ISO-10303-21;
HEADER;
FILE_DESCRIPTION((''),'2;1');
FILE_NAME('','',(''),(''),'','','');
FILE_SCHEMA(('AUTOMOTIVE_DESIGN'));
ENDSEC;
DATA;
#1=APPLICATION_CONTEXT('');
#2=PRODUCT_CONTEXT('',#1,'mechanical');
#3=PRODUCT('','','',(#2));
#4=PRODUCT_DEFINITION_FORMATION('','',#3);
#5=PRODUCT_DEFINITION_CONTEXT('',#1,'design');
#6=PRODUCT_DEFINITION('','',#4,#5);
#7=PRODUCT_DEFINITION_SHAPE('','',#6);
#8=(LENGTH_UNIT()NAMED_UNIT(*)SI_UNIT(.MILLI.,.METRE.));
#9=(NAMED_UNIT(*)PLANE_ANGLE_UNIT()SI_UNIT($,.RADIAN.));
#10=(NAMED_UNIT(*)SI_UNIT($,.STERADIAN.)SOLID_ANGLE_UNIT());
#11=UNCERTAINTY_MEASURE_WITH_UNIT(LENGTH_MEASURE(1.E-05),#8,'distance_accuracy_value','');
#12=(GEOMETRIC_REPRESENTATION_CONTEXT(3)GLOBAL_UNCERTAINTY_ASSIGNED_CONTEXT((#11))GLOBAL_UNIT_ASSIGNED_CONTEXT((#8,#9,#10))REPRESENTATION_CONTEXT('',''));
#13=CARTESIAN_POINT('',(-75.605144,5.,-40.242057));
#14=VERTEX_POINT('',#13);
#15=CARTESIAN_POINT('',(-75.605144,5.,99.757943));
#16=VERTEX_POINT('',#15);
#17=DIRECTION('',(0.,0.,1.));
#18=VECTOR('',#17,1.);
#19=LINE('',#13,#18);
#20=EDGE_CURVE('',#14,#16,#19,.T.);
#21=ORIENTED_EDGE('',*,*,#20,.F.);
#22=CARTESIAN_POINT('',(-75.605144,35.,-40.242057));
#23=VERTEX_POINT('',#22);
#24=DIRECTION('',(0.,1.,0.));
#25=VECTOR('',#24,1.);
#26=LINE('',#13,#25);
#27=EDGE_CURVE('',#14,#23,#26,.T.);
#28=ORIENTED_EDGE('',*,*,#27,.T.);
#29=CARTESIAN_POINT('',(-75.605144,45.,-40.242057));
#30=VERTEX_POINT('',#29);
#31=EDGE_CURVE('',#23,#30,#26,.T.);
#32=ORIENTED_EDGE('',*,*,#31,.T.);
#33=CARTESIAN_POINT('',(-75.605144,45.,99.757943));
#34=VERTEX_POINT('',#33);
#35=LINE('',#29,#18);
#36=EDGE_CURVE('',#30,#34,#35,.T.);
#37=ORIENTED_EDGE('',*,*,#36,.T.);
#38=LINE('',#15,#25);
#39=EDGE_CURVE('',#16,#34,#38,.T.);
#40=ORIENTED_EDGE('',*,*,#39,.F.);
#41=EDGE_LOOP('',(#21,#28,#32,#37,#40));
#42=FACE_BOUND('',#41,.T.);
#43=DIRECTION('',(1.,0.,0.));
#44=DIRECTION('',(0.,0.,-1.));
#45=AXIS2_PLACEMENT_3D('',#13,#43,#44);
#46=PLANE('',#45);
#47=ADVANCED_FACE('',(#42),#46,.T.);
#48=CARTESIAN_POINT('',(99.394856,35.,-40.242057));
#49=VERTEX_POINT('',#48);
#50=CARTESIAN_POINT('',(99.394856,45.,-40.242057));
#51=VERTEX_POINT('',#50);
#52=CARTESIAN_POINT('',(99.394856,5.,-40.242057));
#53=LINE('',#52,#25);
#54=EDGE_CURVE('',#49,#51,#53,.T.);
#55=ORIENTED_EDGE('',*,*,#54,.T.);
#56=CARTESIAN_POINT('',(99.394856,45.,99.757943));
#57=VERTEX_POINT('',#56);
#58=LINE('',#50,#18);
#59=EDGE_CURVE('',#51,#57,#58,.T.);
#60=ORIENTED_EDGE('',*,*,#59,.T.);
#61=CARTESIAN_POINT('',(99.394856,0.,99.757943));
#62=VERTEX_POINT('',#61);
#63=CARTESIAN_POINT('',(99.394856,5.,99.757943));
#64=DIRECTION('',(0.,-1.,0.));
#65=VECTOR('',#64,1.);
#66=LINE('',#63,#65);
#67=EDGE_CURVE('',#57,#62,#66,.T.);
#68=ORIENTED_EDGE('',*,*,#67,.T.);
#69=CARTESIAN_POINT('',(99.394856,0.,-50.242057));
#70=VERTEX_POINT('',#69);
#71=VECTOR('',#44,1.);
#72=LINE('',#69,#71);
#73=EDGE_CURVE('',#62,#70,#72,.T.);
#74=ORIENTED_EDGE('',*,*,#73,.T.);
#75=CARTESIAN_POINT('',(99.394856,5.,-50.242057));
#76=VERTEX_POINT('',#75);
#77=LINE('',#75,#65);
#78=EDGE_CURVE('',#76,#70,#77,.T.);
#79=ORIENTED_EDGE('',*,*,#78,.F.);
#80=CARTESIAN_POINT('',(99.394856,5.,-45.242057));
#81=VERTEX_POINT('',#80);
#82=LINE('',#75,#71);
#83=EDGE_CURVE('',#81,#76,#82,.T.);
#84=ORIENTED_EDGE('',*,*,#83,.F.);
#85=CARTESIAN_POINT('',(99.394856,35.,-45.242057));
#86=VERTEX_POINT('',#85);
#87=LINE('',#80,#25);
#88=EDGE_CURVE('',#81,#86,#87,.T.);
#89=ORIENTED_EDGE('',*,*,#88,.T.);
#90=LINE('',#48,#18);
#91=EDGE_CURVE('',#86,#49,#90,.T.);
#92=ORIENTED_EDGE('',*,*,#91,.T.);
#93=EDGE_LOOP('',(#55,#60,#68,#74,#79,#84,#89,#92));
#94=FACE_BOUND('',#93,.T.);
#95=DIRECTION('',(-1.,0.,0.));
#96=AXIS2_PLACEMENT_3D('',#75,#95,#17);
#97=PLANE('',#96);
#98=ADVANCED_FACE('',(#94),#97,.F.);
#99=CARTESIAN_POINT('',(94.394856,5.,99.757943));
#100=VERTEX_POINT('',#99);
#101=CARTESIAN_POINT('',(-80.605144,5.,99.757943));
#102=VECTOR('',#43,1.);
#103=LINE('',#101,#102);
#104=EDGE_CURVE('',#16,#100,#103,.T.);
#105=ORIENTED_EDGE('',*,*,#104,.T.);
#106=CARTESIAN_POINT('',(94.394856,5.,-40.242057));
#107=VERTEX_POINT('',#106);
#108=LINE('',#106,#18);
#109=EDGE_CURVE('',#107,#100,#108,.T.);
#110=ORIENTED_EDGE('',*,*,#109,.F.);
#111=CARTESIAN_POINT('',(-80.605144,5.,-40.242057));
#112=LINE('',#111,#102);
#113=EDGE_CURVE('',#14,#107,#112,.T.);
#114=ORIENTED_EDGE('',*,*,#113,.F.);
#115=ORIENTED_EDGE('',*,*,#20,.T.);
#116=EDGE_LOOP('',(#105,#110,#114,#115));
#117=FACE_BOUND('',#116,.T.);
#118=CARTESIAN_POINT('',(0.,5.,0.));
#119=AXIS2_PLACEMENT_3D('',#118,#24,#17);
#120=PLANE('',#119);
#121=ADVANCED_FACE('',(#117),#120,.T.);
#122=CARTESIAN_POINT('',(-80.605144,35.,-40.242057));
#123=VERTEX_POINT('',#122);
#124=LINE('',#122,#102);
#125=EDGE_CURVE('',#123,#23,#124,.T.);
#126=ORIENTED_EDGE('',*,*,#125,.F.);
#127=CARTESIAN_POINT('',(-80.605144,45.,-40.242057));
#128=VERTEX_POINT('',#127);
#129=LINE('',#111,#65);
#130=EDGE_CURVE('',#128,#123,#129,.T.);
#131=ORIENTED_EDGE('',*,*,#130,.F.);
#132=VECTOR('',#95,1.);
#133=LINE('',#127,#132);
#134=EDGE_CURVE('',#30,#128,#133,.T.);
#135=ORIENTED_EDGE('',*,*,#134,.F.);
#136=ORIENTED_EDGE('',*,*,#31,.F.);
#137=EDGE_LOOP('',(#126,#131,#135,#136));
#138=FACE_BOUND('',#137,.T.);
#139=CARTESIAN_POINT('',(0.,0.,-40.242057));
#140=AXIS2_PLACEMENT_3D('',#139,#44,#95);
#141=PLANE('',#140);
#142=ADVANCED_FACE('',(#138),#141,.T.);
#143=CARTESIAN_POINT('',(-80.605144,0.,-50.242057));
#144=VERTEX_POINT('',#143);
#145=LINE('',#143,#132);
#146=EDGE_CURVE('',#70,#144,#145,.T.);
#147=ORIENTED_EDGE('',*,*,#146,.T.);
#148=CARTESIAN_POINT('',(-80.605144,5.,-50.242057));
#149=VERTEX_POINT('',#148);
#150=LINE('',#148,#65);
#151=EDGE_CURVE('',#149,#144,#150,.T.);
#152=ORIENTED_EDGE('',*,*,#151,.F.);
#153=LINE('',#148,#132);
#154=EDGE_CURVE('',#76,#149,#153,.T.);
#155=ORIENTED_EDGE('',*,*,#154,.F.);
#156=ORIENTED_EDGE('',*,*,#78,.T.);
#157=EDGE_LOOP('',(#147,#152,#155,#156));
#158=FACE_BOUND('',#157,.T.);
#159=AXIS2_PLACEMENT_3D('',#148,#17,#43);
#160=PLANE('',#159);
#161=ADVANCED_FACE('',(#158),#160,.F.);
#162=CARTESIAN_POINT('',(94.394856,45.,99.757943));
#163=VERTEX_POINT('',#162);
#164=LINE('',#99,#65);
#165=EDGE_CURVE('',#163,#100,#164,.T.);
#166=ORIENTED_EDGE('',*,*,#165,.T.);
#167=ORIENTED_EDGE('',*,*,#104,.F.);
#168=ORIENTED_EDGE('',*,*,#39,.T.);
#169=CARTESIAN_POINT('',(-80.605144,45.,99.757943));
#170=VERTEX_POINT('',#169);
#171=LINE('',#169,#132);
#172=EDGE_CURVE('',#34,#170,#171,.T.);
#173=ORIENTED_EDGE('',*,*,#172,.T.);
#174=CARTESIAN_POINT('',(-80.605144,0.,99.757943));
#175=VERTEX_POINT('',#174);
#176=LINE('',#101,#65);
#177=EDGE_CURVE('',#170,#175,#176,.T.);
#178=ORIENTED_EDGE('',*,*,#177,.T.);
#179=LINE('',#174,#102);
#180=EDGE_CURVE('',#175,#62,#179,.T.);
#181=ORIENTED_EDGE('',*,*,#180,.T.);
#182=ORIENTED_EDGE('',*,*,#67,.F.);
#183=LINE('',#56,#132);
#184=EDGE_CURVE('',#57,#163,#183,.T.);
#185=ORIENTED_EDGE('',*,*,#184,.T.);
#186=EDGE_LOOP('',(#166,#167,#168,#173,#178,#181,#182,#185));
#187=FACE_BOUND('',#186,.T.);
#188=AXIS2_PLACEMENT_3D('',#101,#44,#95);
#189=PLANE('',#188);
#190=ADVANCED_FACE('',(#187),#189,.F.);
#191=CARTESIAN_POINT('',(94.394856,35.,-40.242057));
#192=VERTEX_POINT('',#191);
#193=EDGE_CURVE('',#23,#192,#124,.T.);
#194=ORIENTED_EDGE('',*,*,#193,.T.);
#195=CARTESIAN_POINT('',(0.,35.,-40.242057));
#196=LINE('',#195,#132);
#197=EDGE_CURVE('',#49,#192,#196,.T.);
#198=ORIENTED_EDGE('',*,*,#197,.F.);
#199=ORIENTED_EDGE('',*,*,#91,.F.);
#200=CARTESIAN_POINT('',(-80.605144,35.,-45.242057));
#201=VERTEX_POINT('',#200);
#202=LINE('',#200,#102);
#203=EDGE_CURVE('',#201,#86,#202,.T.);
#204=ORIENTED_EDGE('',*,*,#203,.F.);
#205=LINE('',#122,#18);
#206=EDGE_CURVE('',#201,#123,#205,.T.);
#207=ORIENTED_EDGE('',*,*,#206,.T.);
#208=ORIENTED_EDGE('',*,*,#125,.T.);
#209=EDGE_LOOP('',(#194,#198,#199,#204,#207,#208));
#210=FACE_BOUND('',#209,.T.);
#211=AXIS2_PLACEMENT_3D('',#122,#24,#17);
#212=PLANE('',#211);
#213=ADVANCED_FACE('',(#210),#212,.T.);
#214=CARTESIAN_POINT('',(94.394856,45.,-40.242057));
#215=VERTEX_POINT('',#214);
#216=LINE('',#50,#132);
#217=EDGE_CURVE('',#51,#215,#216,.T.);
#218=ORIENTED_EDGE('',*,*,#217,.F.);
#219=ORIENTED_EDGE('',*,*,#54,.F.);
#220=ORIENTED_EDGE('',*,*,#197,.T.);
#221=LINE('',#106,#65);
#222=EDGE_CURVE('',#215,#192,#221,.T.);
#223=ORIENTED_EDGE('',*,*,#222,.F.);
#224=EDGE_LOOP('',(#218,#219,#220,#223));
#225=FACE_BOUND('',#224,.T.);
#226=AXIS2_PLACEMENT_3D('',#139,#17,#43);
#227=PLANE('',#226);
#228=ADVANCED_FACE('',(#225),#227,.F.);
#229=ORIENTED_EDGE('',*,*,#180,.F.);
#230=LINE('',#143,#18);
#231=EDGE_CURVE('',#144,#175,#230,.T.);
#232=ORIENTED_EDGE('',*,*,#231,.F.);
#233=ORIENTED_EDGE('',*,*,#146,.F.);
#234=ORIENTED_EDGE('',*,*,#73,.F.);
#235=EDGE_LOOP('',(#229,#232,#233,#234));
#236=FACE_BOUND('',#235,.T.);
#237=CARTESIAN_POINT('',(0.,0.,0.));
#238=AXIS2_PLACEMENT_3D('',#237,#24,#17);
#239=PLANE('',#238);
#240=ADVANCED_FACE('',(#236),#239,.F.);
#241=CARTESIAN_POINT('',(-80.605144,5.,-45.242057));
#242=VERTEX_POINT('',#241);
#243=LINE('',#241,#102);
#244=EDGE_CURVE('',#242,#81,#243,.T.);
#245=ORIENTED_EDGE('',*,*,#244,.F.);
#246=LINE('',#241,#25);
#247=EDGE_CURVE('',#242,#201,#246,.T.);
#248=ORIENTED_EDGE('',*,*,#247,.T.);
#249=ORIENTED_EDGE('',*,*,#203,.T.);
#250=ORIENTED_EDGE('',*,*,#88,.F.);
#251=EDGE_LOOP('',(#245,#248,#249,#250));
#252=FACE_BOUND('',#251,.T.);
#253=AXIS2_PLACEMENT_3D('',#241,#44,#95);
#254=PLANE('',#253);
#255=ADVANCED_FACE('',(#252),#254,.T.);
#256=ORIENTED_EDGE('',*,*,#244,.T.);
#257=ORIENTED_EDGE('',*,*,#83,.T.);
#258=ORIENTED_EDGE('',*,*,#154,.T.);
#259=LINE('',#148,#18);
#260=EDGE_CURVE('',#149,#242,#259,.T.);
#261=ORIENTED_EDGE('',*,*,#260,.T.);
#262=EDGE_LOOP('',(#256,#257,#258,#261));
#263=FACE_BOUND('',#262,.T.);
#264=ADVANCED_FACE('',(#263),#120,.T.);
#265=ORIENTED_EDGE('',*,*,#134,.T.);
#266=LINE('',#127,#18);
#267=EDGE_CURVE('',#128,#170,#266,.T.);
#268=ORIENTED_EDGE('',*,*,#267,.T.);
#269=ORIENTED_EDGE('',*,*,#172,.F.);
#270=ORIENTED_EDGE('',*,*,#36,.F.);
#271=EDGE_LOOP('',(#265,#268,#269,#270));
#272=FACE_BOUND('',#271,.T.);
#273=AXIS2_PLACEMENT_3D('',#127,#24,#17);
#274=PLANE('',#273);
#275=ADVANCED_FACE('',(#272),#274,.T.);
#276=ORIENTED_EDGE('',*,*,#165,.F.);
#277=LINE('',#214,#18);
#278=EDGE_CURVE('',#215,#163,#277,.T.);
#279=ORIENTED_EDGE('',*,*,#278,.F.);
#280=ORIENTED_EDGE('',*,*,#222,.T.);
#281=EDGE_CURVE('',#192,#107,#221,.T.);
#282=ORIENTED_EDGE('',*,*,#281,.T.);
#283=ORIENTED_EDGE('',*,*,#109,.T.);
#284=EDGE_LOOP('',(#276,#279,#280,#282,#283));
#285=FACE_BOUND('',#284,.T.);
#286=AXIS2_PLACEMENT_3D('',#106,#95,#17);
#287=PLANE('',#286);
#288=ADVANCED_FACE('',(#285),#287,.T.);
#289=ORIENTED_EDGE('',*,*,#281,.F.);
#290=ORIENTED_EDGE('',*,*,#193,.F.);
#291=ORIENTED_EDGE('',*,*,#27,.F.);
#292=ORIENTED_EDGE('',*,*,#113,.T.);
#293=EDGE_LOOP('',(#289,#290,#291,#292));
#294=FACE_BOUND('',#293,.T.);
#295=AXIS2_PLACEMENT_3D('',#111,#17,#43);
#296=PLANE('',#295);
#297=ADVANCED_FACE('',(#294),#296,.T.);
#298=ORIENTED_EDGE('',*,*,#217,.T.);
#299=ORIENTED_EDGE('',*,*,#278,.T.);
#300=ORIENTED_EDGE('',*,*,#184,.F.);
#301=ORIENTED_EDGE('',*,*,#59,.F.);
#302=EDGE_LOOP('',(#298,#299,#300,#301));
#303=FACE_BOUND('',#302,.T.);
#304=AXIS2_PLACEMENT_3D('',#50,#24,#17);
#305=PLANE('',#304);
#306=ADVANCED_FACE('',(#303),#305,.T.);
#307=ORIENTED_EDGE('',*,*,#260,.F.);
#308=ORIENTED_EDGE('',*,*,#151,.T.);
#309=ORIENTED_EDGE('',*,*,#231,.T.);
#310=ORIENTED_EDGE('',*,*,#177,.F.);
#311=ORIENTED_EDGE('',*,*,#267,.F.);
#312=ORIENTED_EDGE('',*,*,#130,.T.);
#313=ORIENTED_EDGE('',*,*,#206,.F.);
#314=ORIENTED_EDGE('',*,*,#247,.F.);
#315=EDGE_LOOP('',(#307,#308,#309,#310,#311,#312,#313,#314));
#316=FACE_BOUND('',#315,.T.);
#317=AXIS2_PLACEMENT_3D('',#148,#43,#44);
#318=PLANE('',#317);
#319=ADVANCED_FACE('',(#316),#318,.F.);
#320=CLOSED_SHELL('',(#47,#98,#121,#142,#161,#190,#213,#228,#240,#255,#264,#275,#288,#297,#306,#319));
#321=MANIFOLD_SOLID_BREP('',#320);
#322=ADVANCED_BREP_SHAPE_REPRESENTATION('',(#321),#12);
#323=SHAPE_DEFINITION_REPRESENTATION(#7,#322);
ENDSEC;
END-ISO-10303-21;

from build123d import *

# Parameters (mm, degrees)
SKETCH1_W           = 180
SKETCH1_H           = 150
BOSS_EXTRUDE1_DEPTH = 5
SKETCH5_W           = 5
SKETCH5_H           = 40
BOSS_EXTRUDE2_DEPTH = 140
SKETCH13_W          = 5
SKETCH13_H          = 30
BOSS_EXTRUDE9_DEPTH = 180


with BuildPart() as part:
    # Sketch1 → Boss-Extrude1 (new body)
    with BuildSketch(Plane(origin=(0, 0, 0), x_dir=(1, 0, 0), z_dir=(0, 1, 0))):
        with Locations((9.394856278, -24.757942511)):
            Rectangle(SKETCH1_W, SKETCH1_H)
    extrude(amount=BOSS_EXTRUDE1_DEPTH)

    # Sketch5 → Boss-Extrude2 (add)
    with BuildSketch(Plane.XY.offset(99.757942511)):
        with Locations((-78.105143722, 25)):
            Rectangle(SKETCH5_W, SKETCH5_H)
        with Locations((96.894856278, 25)):
            Rectangle(SKETCH5_W, SKETCH5_H)
    extrude(amount=-BOSS_EXTRUDE2_DEPTH)

    # Sketch13 → Boss-Extrude9 (add)
    with BuildSketch(Plane(origin=(99.394856278, 0, 0), x_dir=(0, 0, -1), z_dir=(1, 0, 0))):
        with Locations((42.742057489, 20)):
            Rectangle(SKETCH13_W, SKETCH13_H)
    extrude(amount=-BOSS_EXTRUDE9_DEPTH)


solid = part.part
